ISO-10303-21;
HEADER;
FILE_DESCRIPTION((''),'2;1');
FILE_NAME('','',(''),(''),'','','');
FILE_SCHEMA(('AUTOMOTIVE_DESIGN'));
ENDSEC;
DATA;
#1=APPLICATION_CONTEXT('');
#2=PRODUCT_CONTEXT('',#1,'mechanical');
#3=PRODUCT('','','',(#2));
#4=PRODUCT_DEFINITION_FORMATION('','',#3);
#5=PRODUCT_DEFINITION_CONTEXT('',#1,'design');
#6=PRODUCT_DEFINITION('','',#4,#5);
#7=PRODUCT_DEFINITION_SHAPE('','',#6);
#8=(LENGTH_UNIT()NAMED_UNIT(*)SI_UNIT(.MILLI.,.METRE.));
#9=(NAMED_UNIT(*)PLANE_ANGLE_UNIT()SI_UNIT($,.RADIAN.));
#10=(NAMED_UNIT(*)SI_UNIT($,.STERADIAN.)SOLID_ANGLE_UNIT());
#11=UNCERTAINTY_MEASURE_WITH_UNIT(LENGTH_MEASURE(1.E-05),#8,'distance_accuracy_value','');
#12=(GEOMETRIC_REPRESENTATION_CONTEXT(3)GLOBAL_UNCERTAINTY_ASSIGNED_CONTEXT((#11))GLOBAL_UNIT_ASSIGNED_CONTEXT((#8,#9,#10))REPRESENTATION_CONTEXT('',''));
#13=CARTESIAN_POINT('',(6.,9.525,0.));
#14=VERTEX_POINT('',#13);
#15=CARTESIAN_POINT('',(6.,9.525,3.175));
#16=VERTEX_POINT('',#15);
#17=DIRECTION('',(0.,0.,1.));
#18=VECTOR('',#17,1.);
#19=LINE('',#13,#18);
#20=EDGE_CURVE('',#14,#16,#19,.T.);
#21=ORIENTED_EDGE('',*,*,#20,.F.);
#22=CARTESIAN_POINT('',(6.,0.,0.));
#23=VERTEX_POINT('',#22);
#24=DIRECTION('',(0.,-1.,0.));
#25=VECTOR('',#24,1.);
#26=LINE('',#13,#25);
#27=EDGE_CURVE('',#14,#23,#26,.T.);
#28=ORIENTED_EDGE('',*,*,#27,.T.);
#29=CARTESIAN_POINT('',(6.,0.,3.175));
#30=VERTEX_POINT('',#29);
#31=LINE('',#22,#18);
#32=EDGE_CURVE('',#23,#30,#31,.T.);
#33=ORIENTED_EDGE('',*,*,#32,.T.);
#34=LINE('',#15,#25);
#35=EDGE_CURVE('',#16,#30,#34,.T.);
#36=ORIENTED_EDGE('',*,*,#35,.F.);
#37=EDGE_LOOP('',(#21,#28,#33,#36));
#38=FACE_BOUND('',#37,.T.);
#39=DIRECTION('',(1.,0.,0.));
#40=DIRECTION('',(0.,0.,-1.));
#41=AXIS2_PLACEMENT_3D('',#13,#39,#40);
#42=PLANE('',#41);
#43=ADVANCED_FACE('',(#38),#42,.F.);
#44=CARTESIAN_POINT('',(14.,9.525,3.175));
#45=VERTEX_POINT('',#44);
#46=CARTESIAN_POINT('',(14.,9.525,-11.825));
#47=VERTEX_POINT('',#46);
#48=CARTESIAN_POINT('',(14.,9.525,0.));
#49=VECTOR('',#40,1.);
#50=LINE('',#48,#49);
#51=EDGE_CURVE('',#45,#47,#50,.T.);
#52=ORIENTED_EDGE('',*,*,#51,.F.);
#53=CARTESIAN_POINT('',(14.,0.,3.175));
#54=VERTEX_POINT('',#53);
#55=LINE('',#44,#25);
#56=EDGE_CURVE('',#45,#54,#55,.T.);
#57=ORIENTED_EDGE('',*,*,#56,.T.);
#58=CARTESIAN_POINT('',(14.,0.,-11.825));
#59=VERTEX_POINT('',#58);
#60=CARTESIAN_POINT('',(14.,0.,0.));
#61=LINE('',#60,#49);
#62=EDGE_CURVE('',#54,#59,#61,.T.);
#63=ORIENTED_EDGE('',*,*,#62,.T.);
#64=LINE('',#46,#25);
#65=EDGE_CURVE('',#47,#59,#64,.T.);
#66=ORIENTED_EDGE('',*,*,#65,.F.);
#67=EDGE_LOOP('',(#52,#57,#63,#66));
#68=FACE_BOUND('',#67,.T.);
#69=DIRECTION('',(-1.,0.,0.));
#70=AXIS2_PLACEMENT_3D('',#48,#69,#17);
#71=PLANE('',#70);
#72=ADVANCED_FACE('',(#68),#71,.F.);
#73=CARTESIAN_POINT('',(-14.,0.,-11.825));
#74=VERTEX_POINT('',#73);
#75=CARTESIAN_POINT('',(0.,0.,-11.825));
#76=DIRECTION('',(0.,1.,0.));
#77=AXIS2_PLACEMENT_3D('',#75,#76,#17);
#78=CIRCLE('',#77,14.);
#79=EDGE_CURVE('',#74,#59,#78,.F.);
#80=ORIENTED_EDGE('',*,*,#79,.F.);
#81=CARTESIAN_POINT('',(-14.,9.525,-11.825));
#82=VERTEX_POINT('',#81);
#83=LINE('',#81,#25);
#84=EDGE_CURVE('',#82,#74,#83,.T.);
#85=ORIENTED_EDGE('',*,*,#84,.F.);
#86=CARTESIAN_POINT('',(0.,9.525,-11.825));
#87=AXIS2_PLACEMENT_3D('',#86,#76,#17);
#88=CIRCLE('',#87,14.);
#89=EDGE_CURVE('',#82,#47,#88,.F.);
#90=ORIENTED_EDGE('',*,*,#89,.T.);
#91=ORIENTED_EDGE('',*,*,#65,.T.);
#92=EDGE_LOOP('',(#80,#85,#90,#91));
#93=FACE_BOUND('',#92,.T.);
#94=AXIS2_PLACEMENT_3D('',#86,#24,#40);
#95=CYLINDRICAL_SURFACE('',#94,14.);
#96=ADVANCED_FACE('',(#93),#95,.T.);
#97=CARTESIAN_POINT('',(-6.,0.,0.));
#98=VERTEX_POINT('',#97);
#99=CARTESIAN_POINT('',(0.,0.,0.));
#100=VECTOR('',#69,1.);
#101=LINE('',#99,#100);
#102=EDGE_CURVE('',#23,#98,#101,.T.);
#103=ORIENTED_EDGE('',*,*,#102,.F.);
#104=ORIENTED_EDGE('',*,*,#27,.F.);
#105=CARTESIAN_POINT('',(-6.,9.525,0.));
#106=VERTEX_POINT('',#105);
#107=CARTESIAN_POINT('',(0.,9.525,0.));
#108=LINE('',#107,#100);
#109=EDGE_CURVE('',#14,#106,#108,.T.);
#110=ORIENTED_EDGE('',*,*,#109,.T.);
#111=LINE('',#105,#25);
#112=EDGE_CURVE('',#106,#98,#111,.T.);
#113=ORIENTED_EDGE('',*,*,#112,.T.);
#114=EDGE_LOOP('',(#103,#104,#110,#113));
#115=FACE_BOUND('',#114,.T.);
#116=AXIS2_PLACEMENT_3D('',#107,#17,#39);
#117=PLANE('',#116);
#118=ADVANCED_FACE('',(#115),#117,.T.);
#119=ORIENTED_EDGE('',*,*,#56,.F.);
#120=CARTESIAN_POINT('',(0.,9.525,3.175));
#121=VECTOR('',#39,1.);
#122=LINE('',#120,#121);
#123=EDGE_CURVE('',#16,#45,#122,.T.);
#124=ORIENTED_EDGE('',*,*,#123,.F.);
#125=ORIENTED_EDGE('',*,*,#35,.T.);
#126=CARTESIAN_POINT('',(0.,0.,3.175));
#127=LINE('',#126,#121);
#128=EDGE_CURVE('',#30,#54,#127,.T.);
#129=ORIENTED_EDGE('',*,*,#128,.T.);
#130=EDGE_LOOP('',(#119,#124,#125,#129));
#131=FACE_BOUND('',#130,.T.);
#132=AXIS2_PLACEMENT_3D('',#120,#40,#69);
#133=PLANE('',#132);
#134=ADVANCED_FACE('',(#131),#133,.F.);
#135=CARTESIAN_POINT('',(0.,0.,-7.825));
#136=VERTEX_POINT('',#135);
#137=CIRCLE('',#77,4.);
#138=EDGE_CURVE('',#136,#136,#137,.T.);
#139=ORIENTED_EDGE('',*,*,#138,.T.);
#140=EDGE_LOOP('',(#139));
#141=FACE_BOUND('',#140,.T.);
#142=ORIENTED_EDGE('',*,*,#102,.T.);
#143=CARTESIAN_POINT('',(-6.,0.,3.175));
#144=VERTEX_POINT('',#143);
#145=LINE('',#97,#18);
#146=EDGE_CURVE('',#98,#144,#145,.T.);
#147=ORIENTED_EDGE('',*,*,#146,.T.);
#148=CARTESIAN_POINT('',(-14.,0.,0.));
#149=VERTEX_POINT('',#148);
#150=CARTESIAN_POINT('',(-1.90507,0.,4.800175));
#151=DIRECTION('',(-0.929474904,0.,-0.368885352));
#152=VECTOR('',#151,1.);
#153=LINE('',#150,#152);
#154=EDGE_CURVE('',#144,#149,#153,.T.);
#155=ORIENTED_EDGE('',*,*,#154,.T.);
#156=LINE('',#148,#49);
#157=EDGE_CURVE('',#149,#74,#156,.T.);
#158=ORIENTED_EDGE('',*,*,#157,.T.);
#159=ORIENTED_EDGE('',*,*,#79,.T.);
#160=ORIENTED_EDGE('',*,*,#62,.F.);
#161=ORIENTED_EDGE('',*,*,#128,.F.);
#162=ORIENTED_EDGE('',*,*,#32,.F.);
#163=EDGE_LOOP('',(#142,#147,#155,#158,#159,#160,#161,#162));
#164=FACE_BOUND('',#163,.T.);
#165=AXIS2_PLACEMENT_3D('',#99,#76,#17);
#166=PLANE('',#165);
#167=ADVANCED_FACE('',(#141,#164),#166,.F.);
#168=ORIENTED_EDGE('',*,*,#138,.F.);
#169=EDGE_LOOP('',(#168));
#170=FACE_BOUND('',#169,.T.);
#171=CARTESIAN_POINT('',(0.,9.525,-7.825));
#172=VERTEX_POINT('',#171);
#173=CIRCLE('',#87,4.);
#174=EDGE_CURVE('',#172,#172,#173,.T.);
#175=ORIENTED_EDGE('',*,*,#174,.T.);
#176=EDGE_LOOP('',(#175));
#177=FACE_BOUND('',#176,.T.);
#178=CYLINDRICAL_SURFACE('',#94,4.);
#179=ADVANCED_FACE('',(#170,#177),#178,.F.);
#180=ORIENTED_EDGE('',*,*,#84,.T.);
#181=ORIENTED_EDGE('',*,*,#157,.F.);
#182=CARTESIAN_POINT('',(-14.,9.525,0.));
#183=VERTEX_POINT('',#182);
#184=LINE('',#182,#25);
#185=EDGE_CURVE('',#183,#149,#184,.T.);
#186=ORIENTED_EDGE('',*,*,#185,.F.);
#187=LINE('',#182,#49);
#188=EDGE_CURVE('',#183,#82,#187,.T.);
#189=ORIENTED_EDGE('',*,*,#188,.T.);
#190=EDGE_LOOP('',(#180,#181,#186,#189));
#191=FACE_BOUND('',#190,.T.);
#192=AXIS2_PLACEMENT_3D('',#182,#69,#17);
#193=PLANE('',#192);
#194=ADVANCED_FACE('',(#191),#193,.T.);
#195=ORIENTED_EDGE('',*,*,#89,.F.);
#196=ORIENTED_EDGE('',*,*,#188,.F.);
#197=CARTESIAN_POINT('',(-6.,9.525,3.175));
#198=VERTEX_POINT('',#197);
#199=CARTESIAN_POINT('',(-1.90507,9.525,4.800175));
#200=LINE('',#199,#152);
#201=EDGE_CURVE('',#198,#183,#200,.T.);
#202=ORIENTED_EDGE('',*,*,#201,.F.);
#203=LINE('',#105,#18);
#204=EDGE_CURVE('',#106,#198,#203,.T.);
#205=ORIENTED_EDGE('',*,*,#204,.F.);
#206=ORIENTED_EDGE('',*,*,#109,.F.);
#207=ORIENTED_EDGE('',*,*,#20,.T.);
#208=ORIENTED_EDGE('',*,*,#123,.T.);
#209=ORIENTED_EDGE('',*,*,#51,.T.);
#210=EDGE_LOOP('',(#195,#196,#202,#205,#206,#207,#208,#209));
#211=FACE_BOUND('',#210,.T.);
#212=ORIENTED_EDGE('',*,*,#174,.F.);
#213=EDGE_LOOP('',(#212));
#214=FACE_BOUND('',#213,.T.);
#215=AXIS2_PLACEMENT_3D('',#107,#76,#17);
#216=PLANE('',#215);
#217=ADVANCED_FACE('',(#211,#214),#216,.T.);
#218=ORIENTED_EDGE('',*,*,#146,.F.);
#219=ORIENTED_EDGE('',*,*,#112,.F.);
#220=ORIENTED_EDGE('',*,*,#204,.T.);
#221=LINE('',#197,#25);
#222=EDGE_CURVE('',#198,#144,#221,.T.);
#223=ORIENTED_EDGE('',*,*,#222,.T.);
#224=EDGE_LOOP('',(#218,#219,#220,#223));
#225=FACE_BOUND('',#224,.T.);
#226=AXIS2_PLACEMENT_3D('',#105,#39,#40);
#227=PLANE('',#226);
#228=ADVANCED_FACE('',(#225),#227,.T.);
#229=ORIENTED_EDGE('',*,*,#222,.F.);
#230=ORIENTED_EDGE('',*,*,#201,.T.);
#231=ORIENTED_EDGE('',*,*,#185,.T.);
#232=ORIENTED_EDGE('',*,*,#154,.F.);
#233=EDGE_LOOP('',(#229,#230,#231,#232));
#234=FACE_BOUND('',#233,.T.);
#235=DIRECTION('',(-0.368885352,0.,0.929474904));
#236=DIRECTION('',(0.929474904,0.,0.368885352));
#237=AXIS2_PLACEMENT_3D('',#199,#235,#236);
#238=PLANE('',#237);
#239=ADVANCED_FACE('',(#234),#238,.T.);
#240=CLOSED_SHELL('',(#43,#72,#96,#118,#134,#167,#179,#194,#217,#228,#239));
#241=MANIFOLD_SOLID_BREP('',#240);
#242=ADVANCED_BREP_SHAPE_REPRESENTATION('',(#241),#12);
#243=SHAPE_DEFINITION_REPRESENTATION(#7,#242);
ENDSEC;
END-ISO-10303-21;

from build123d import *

# Parameters (mm, degrees)
SKETCH1_R           = 4
BOSS_EXTRUDE1_DEPTH = 9.525


with BuildPart() as part:
    # Sketch1 → Boss-Extrude1 (new body)
    with BuildSketch(Plane(origin=(0, 0, 0), x_dir=(1, 0, 0), z_dir=(0, 1, 0))):
        with BuildLine():
            Line((-6, 0), (0, 0))
            Line((0, 0), (6, 0))
            Line((6, 0), (6, -3.175))
            Line((6, -3.175), (14, -3.175))
            Line((14, -3.175), (14, 11.825))
            ThreePointArc((14, 11.825), (0, 25.825), (-14, 11.825))
            Line((-14, 11.825), (-14, 0))
            Line((-14, 0), (-6, -3.175))
            Line((-6, -3.175), (-6, 0))
        make_face()
        with Locations((0, 11.825)):
            Circle(SKETCH1_R, mode=Mode.SUBTRACT)
    extrude(amount=BOSS_EXTRUDE1_DEPTH)


solid = part.part
